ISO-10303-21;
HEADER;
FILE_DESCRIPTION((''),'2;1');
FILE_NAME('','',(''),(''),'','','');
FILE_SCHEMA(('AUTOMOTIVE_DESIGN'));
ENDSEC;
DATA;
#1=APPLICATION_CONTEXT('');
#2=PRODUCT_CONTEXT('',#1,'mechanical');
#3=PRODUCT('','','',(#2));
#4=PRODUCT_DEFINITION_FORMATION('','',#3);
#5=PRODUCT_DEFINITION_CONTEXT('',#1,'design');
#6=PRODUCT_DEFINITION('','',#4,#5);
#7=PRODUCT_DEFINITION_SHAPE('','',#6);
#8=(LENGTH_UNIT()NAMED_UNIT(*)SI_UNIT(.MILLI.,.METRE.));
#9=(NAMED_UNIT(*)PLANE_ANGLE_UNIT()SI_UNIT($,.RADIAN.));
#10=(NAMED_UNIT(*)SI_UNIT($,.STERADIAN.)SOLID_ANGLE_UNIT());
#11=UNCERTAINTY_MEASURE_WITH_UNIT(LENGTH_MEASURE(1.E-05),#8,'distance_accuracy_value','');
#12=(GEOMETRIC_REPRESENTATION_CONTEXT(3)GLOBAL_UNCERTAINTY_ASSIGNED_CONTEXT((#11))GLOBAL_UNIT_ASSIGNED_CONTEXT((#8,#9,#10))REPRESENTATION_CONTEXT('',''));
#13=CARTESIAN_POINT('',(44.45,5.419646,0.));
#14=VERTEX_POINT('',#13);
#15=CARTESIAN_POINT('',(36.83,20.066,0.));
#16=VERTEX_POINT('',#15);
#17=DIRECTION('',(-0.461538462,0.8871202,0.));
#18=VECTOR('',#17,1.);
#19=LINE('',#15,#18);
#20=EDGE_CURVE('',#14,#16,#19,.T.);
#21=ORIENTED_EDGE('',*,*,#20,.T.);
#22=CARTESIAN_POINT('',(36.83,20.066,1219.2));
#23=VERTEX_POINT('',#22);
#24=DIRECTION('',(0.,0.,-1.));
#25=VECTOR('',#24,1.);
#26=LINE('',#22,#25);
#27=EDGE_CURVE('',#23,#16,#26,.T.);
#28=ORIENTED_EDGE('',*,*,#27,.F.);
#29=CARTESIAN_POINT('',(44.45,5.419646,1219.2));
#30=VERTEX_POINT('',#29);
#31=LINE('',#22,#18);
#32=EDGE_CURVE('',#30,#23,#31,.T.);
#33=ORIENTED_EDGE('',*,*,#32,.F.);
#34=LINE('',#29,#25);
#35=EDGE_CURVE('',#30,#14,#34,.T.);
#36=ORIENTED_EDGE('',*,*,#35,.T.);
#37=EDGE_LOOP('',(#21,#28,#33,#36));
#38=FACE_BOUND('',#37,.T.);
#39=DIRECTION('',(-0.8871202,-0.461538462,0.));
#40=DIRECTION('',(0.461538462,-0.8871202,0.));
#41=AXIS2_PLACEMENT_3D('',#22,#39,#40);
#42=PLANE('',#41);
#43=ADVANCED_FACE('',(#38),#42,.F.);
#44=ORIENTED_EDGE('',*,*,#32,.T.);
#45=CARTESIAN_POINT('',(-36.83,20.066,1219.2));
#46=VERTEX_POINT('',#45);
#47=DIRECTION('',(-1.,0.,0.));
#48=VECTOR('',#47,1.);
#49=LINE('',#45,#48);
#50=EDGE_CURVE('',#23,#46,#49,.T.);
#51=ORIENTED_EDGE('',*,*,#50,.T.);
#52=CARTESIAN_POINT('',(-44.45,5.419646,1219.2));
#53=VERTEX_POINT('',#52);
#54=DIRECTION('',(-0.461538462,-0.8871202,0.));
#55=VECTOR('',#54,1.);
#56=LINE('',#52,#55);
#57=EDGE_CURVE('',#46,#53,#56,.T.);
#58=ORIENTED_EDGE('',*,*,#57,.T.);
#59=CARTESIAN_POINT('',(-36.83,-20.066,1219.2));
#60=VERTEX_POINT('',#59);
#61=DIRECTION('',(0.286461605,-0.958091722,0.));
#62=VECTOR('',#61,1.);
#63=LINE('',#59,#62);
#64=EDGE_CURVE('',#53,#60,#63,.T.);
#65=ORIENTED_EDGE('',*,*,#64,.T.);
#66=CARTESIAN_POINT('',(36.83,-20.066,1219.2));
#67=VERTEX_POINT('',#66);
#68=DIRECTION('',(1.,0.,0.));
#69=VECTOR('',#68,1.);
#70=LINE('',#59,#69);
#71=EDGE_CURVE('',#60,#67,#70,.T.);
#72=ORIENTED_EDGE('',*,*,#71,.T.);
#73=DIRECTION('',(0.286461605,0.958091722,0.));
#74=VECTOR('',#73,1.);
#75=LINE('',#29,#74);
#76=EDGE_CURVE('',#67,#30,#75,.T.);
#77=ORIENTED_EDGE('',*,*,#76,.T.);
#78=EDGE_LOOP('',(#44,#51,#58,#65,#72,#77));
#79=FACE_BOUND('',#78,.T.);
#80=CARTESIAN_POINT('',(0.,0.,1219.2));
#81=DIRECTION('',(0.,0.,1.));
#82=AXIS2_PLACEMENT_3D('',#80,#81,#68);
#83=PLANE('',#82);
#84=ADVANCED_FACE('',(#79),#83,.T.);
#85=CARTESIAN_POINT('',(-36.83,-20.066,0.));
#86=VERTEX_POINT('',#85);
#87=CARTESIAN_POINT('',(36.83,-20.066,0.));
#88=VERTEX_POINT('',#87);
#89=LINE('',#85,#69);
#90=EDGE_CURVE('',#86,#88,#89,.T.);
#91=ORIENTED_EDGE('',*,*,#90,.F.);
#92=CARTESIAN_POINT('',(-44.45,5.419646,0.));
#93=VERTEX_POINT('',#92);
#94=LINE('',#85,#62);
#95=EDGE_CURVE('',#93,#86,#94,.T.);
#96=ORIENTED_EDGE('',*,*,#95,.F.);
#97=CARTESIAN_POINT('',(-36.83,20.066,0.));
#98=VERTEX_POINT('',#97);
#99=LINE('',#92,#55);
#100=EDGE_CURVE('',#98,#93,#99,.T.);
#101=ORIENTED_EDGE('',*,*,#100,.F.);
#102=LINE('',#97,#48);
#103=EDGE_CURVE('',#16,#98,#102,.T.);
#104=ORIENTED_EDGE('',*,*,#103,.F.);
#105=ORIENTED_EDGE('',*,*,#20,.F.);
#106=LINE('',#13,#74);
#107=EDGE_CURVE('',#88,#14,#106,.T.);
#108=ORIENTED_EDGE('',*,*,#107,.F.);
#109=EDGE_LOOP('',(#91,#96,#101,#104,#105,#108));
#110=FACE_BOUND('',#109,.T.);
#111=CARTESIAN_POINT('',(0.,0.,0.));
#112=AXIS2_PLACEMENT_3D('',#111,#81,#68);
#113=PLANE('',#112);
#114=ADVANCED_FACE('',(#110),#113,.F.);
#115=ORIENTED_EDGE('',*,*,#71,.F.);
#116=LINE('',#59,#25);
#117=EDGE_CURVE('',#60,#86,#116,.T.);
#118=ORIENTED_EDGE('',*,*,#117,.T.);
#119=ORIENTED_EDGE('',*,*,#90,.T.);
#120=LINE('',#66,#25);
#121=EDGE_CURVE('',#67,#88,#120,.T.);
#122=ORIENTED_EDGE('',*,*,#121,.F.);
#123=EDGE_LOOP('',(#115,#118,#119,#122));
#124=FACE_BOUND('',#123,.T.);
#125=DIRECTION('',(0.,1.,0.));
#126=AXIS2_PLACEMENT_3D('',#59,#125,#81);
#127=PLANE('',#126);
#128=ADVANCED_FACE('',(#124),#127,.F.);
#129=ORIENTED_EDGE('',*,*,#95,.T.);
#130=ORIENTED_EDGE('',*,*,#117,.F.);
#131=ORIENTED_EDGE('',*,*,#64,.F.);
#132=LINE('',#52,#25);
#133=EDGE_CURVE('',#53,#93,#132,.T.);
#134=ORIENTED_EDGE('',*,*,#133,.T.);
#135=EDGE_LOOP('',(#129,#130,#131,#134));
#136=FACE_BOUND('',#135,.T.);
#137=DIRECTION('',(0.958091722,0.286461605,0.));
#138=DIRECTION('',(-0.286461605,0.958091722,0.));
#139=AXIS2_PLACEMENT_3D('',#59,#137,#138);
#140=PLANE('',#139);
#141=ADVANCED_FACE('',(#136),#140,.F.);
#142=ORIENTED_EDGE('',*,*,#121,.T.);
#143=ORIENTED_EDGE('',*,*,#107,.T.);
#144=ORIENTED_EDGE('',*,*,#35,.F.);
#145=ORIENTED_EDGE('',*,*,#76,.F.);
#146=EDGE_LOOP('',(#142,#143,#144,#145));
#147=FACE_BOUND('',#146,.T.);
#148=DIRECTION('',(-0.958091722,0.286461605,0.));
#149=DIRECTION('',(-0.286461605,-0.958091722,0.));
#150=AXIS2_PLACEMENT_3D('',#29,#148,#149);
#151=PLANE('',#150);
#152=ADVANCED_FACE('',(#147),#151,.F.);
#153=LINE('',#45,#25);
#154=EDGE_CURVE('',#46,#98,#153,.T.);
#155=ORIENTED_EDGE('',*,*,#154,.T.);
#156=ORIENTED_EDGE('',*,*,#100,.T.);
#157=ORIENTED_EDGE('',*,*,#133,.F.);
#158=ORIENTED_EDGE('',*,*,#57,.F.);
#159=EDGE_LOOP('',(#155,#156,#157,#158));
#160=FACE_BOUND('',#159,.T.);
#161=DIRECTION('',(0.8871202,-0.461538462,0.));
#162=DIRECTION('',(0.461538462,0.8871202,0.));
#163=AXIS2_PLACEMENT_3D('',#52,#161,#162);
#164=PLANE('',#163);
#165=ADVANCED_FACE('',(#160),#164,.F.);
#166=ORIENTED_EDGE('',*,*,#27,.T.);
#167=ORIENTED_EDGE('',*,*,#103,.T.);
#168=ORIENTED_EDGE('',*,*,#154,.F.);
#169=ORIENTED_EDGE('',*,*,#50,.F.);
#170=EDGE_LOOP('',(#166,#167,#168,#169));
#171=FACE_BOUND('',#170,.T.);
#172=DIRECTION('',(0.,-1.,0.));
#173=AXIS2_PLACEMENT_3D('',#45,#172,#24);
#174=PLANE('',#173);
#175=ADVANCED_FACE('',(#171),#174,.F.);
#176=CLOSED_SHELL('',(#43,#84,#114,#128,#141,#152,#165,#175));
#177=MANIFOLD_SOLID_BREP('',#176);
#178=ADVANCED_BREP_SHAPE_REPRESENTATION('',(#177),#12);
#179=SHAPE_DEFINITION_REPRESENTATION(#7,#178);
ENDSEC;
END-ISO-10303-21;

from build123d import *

# Parameters (mm, degrees)
BOSS_EXTRUDE1_DEPTH = 1219.2


with BuildPart() as part:
    # Sketch1 → Boss-Extrude1 (new body)
    with BuildSketch(Plane.XY):
        Polygon((-36.83, -20.066), (-44.45, 5.419645505), (-36.83, 20.066), (36.83, 20.066), (44.45, 5.419645505), (36.83, -20.066), align=None)
    extrude(amount=BOSS_EXTRUDE1_DEPTH)


solid = part.part
